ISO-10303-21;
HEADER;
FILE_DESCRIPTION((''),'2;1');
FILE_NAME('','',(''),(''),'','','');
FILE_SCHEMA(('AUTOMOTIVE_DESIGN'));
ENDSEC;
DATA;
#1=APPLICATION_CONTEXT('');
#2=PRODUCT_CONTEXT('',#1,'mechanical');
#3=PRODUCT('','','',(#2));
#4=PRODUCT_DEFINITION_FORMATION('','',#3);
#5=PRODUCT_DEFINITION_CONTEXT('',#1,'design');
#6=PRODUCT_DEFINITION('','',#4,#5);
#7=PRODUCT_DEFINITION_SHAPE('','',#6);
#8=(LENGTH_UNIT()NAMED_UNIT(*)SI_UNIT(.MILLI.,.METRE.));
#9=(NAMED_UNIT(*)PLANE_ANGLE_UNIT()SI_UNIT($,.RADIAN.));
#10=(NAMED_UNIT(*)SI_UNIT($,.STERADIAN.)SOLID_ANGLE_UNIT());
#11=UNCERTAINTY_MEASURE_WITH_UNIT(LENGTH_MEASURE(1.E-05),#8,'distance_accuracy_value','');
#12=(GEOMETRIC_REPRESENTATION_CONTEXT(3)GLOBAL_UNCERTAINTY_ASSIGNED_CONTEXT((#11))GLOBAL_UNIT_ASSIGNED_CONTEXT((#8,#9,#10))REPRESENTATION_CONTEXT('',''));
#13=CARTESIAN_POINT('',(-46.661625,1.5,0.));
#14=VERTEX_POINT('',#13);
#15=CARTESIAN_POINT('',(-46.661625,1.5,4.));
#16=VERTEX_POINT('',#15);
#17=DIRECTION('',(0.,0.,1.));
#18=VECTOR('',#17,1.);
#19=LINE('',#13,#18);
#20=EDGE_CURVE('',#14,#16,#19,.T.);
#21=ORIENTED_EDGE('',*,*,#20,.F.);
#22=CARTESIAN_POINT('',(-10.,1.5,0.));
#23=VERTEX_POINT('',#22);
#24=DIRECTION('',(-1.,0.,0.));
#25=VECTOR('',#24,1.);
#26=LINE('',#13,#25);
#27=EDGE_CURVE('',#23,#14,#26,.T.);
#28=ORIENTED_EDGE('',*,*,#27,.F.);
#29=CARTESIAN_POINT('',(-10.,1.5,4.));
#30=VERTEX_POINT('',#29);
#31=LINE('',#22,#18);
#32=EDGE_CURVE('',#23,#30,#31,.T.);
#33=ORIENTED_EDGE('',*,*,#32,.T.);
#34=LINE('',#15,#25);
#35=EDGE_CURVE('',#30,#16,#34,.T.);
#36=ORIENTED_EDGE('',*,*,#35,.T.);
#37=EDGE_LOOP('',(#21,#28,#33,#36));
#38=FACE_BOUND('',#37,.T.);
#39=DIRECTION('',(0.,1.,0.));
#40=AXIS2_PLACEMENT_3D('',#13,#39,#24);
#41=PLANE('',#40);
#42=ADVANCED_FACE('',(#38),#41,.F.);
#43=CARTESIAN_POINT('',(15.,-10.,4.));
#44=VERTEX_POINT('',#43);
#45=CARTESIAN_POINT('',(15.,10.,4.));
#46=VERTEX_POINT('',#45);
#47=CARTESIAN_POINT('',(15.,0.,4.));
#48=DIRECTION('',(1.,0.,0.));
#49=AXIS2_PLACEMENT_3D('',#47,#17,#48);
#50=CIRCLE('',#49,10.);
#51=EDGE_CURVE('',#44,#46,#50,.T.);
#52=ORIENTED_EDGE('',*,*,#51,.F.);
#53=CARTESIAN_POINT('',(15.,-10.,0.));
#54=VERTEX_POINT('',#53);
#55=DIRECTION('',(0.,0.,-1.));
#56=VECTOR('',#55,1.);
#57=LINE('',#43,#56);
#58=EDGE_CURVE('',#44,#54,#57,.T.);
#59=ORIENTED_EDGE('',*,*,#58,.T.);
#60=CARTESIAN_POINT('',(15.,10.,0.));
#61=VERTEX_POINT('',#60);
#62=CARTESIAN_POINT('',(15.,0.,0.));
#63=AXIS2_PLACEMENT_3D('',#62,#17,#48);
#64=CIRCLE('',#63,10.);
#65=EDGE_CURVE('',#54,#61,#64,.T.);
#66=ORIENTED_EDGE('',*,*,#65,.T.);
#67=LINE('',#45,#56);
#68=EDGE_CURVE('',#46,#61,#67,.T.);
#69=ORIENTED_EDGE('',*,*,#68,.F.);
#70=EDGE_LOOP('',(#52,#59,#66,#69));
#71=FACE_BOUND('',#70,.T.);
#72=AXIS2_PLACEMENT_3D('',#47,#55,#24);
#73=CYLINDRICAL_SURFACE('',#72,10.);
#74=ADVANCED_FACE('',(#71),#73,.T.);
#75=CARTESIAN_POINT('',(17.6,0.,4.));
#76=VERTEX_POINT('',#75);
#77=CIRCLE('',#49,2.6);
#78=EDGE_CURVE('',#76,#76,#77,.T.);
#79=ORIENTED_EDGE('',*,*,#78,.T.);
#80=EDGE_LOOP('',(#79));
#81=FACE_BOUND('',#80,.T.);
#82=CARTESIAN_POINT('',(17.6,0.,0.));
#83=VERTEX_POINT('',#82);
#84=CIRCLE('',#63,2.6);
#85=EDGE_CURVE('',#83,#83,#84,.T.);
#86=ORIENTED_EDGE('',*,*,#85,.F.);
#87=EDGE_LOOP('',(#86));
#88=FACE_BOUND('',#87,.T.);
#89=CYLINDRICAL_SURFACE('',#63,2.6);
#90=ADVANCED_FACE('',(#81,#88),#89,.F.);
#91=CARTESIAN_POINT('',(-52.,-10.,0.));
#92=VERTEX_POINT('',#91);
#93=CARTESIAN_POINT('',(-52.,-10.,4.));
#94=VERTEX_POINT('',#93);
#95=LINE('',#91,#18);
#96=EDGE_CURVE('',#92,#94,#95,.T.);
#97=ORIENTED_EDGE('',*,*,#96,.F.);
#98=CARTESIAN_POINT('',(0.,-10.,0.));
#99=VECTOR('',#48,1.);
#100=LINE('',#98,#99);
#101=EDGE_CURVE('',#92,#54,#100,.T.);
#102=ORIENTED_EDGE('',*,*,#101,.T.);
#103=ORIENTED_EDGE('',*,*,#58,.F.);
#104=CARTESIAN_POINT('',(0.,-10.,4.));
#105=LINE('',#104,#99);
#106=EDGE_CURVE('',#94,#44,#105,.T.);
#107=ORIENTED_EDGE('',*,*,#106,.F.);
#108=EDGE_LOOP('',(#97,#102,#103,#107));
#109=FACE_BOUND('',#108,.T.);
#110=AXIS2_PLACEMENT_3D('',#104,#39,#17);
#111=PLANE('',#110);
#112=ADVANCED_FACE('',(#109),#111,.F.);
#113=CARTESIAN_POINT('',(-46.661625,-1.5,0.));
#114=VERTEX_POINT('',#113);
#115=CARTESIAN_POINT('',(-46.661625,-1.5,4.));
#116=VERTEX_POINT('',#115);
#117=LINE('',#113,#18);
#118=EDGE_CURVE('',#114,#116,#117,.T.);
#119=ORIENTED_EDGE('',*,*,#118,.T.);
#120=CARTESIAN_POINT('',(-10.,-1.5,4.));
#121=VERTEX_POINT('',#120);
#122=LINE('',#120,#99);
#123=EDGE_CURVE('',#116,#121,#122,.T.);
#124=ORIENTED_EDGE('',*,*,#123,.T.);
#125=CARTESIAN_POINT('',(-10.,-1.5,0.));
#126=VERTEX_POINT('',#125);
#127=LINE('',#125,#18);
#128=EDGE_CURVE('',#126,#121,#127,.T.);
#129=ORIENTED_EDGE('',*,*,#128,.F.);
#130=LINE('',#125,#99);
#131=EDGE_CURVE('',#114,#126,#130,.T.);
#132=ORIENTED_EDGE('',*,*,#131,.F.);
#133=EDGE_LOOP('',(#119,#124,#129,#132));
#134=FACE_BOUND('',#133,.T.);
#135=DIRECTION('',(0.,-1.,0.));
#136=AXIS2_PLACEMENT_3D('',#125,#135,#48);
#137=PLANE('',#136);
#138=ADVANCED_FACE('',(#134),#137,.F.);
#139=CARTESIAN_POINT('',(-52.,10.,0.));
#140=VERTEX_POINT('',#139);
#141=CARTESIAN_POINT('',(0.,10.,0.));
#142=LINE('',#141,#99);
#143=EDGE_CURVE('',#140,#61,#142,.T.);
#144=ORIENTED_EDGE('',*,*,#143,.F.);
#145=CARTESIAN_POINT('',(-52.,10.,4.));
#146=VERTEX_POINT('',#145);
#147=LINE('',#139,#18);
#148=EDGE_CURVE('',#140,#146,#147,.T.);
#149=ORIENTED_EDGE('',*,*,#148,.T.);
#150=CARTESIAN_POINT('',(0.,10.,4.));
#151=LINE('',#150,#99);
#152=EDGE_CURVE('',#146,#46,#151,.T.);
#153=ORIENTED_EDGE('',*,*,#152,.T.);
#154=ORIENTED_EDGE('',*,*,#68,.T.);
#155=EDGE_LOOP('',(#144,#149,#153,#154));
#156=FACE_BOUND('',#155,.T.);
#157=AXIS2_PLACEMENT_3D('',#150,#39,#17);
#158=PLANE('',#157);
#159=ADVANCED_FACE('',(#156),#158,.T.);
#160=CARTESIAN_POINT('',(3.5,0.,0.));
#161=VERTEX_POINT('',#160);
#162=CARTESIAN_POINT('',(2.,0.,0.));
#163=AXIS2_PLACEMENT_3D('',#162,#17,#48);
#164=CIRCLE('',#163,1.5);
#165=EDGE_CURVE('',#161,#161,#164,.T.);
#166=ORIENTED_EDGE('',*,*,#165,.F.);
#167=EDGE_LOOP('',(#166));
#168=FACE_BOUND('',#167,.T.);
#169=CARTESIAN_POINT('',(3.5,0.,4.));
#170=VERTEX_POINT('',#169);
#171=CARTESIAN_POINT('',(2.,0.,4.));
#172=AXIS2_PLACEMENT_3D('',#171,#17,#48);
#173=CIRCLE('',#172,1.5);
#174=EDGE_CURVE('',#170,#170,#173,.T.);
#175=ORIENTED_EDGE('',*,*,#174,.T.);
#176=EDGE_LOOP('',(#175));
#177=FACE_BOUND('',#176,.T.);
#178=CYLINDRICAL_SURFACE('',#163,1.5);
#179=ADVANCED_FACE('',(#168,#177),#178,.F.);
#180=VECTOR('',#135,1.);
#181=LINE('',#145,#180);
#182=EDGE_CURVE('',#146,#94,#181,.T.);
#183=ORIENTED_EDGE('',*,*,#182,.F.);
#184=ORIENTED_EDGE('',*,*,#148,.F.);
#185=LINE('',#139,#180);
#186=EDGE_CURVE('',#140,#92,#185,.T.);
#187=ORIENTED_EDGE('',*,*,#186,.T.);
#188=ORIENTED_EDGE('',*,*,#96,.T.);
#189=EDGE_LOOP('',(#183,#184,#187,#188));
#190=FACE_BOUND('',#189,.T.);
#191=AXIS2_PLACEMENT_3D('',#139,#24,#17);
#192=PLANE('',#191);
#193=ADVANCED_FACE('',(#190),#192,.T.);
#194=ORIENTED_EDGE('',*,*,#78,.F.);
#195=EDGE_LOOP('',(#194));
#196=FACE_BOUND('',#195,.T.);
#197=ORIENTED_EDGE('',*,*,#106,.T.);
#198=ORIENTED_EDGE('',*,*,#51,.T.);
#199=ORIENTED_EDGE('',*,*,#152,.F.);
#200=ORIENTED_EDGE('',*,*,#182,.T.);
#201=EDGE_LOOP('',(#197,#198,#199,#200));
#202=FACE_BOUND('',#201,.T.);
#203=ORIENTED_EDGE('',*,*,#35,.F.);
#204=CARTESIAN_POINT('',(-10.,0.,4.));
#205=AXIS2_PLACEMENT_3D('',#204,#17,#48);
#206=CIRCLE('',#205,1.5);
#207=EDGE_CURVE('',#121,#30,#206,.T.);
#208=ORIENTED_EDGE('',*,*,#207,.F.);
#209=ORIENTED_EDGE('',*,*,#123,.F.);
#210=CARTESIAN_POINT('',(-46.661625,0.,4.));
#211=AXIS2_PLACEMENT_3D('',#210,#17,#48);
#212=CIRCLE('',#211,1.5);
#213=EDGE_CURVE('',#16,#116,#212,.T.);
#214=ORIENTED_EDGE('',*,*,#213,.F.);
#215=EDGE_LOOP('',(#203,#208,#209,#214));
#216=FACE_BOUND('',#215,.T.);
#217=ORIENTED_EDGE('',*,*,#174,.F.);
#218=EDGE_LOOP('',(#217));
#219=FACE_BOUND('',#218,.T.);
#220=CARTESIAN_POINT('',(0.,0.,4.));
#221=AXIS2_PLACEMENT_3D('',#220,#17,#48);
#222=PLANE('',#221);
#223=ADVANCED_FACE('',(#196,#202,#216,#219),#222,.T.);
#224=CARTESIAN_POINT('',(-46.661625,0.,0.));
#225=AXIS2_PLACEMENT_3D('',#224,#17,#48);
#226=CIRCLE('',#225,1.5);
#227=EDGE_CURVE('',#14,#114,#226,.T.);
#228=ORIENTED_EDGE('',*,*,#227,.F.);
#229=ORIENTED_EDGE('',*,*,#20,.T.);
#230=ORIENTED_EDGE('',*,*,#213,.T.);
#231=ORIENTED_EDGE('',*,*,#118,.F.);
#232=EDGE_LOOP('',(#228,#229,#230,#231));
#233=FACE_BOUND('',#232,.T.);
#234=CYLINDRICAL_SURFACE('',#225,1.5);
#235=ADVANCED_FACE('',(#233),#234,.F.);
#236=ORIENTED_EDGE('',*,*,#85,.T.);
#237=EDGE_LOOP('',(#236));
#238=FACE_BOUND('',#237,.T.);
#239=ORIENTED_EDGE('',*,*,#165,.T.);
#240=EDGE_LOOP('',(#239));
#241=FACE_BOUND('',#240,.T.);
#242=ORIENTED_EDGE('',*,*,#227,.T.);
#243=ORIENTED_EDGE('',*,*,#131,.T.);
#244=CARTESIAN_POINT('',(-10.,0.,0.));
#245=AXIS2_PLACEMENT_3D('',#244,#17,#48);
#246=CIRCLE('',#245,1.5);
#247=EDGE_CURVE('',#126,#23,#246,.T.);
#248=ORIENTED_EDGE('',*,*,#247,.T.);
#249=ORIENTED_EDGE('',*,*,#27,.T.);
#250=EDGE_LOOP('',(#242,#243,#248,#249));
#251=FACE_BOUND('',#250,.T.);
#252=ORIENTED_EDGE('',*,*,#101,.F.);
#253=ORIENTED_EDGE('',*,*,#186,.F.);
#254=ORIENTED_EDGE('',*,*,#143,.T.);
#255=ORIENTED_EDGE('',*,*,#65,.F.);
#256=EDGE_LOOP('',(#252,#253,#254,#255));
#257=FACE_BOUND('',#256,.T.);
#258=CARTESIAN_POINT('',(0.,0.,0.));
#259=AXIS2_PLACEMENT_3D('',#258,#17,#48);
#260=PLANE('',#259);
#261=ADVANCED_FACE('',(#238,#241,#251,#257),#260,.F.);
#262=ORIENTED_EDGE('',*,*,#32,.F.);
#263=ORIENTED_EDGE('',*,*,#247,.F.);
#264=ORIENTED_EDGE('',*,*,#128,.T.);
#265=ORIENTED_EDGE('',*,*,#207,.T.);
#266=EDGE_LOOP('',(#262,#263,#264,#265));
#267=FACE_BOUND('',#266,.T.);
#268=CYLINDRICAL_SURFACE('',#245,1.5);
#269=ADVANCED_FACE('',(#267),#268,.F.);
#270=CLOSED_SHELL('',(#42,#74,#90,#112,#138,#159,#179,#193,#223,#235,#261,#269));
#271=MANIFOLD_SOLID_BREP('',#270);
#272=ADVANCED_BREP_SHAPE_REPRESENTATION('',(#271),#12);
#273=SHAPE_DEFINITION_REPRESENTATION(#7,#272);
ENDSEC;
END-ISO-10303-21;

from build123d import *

# Parameters (mm, degrees)
BOSS_EXTRUDE1_DEPTH = 4
SKETCH2_R           = 2.6
CUT_EXTRUDE1_DEPTH  = 4
SKETCH3_R           = 1.5
CUT_EXTRUDE2_DEPTH  = 4
FILLET1_R           = 3
SKETCH4_W           = 40
SKETCH4_H           = 20
BOSS_EXTRUDE2_DEPTH = 4
SKETCH5_R           = 1.5
CUT_EXTRUDE3_DEPTH  = 4
SKETCH6_W           = 36.661625307
SKETCH6_H           = 3
CUT_EXTRUDE4_DEPTH  = 4


with BuildPart() as part:
    # Sketch1 → Boss-Extrude1 (new body)
    with BuildSketch(Plane.XY):
        with BuildLine():
            Line((-15, 10), (-15, -10))
            Line((-15, -10), (15, -10))
            ThreePointArc((15, -10), (5, 0), (15, 10))
            Line((15, 10), (-15, 10))
        make_face()
        with BuildLine():
            ThreePointArc((15, 10), (5, 0), (15, -10))
            Line((15, -10), (15, 10))
        make_face()
        with BuildLine():
            Line((15, 10), (15, -10))
            ThreePointArc((15, -10), (22.071067812, -7.071067812), (25, 0))
            ThreePointArc((25, 0), (22.071067812, 7.071067812), (15, 10))
        make_face()
    extrude(amount=BOSS_EXTRUDE1_DEPTH)

    # Sketch2 → Cut-Extrude1 (cut)
    with BuildSketch(Plane.XY.offset(4)):
        with Locations((15, 0)):
            Circle(SKETCH2_R)
    extrude(amount=-CUT_EXTRUDE1_DEPTH, mode=Mode.SUBTRACT)

    # Sketch3 → Cut-Extrude2 (cut)
    with BuildSketch(Plane.XY.offset(4)):
        with Locations((-10, 0)):
            Circle(SKETCH3_R)
        with Locations((2, 0)):
            Circle(SKETCH3_R)
    extrude(amount=-CUT_EXTRUDE2_DEPTH, mode=Mode.SUBTRACT)

    # Fillet1
    fillet1_edges = [part.edges().sort_by_distance(p)[0] for p in [
        (-15, -10, 2),
        (-15, 10, 2),
    ]]
    fillet(fillet1_edges, radius=FILLET1_R)

    # Sketch4 → Boss-Extrude2 (add)
    with BuildSketch(Plane.XY.offset(4)):
        with Locations((-32, 0)):
            Rectangle(SKETCH4_W, SKETCH4_H)
    extrude(amount=-BOSS_EXTRUDE2_DEPTH)

    # Sketch5 → Cut-Extrude3 (cut)
    with BuildSketch(Plane.XY.offset(4)):
        with Locations((-46.661625307, 0)):
            Circle(SKETCH5_R)
    extrude(amount=-CUT_EXTRUDE3_DEPTH, mode=Mode.SUBTRACT)

    # Sketch6 → Cut-Extrude4 (cut)
    with BuildSketch(Plane.XY.offset(4)):
        with Locations((-28.330812654, 0)):
            Rectangle(SKETCH6_W, SKETCH6_H)
    extrude(amount=-CUT_EXTRUDE4_DEPTH, mode=Mode.SUBTRACT)


solid = part.part
